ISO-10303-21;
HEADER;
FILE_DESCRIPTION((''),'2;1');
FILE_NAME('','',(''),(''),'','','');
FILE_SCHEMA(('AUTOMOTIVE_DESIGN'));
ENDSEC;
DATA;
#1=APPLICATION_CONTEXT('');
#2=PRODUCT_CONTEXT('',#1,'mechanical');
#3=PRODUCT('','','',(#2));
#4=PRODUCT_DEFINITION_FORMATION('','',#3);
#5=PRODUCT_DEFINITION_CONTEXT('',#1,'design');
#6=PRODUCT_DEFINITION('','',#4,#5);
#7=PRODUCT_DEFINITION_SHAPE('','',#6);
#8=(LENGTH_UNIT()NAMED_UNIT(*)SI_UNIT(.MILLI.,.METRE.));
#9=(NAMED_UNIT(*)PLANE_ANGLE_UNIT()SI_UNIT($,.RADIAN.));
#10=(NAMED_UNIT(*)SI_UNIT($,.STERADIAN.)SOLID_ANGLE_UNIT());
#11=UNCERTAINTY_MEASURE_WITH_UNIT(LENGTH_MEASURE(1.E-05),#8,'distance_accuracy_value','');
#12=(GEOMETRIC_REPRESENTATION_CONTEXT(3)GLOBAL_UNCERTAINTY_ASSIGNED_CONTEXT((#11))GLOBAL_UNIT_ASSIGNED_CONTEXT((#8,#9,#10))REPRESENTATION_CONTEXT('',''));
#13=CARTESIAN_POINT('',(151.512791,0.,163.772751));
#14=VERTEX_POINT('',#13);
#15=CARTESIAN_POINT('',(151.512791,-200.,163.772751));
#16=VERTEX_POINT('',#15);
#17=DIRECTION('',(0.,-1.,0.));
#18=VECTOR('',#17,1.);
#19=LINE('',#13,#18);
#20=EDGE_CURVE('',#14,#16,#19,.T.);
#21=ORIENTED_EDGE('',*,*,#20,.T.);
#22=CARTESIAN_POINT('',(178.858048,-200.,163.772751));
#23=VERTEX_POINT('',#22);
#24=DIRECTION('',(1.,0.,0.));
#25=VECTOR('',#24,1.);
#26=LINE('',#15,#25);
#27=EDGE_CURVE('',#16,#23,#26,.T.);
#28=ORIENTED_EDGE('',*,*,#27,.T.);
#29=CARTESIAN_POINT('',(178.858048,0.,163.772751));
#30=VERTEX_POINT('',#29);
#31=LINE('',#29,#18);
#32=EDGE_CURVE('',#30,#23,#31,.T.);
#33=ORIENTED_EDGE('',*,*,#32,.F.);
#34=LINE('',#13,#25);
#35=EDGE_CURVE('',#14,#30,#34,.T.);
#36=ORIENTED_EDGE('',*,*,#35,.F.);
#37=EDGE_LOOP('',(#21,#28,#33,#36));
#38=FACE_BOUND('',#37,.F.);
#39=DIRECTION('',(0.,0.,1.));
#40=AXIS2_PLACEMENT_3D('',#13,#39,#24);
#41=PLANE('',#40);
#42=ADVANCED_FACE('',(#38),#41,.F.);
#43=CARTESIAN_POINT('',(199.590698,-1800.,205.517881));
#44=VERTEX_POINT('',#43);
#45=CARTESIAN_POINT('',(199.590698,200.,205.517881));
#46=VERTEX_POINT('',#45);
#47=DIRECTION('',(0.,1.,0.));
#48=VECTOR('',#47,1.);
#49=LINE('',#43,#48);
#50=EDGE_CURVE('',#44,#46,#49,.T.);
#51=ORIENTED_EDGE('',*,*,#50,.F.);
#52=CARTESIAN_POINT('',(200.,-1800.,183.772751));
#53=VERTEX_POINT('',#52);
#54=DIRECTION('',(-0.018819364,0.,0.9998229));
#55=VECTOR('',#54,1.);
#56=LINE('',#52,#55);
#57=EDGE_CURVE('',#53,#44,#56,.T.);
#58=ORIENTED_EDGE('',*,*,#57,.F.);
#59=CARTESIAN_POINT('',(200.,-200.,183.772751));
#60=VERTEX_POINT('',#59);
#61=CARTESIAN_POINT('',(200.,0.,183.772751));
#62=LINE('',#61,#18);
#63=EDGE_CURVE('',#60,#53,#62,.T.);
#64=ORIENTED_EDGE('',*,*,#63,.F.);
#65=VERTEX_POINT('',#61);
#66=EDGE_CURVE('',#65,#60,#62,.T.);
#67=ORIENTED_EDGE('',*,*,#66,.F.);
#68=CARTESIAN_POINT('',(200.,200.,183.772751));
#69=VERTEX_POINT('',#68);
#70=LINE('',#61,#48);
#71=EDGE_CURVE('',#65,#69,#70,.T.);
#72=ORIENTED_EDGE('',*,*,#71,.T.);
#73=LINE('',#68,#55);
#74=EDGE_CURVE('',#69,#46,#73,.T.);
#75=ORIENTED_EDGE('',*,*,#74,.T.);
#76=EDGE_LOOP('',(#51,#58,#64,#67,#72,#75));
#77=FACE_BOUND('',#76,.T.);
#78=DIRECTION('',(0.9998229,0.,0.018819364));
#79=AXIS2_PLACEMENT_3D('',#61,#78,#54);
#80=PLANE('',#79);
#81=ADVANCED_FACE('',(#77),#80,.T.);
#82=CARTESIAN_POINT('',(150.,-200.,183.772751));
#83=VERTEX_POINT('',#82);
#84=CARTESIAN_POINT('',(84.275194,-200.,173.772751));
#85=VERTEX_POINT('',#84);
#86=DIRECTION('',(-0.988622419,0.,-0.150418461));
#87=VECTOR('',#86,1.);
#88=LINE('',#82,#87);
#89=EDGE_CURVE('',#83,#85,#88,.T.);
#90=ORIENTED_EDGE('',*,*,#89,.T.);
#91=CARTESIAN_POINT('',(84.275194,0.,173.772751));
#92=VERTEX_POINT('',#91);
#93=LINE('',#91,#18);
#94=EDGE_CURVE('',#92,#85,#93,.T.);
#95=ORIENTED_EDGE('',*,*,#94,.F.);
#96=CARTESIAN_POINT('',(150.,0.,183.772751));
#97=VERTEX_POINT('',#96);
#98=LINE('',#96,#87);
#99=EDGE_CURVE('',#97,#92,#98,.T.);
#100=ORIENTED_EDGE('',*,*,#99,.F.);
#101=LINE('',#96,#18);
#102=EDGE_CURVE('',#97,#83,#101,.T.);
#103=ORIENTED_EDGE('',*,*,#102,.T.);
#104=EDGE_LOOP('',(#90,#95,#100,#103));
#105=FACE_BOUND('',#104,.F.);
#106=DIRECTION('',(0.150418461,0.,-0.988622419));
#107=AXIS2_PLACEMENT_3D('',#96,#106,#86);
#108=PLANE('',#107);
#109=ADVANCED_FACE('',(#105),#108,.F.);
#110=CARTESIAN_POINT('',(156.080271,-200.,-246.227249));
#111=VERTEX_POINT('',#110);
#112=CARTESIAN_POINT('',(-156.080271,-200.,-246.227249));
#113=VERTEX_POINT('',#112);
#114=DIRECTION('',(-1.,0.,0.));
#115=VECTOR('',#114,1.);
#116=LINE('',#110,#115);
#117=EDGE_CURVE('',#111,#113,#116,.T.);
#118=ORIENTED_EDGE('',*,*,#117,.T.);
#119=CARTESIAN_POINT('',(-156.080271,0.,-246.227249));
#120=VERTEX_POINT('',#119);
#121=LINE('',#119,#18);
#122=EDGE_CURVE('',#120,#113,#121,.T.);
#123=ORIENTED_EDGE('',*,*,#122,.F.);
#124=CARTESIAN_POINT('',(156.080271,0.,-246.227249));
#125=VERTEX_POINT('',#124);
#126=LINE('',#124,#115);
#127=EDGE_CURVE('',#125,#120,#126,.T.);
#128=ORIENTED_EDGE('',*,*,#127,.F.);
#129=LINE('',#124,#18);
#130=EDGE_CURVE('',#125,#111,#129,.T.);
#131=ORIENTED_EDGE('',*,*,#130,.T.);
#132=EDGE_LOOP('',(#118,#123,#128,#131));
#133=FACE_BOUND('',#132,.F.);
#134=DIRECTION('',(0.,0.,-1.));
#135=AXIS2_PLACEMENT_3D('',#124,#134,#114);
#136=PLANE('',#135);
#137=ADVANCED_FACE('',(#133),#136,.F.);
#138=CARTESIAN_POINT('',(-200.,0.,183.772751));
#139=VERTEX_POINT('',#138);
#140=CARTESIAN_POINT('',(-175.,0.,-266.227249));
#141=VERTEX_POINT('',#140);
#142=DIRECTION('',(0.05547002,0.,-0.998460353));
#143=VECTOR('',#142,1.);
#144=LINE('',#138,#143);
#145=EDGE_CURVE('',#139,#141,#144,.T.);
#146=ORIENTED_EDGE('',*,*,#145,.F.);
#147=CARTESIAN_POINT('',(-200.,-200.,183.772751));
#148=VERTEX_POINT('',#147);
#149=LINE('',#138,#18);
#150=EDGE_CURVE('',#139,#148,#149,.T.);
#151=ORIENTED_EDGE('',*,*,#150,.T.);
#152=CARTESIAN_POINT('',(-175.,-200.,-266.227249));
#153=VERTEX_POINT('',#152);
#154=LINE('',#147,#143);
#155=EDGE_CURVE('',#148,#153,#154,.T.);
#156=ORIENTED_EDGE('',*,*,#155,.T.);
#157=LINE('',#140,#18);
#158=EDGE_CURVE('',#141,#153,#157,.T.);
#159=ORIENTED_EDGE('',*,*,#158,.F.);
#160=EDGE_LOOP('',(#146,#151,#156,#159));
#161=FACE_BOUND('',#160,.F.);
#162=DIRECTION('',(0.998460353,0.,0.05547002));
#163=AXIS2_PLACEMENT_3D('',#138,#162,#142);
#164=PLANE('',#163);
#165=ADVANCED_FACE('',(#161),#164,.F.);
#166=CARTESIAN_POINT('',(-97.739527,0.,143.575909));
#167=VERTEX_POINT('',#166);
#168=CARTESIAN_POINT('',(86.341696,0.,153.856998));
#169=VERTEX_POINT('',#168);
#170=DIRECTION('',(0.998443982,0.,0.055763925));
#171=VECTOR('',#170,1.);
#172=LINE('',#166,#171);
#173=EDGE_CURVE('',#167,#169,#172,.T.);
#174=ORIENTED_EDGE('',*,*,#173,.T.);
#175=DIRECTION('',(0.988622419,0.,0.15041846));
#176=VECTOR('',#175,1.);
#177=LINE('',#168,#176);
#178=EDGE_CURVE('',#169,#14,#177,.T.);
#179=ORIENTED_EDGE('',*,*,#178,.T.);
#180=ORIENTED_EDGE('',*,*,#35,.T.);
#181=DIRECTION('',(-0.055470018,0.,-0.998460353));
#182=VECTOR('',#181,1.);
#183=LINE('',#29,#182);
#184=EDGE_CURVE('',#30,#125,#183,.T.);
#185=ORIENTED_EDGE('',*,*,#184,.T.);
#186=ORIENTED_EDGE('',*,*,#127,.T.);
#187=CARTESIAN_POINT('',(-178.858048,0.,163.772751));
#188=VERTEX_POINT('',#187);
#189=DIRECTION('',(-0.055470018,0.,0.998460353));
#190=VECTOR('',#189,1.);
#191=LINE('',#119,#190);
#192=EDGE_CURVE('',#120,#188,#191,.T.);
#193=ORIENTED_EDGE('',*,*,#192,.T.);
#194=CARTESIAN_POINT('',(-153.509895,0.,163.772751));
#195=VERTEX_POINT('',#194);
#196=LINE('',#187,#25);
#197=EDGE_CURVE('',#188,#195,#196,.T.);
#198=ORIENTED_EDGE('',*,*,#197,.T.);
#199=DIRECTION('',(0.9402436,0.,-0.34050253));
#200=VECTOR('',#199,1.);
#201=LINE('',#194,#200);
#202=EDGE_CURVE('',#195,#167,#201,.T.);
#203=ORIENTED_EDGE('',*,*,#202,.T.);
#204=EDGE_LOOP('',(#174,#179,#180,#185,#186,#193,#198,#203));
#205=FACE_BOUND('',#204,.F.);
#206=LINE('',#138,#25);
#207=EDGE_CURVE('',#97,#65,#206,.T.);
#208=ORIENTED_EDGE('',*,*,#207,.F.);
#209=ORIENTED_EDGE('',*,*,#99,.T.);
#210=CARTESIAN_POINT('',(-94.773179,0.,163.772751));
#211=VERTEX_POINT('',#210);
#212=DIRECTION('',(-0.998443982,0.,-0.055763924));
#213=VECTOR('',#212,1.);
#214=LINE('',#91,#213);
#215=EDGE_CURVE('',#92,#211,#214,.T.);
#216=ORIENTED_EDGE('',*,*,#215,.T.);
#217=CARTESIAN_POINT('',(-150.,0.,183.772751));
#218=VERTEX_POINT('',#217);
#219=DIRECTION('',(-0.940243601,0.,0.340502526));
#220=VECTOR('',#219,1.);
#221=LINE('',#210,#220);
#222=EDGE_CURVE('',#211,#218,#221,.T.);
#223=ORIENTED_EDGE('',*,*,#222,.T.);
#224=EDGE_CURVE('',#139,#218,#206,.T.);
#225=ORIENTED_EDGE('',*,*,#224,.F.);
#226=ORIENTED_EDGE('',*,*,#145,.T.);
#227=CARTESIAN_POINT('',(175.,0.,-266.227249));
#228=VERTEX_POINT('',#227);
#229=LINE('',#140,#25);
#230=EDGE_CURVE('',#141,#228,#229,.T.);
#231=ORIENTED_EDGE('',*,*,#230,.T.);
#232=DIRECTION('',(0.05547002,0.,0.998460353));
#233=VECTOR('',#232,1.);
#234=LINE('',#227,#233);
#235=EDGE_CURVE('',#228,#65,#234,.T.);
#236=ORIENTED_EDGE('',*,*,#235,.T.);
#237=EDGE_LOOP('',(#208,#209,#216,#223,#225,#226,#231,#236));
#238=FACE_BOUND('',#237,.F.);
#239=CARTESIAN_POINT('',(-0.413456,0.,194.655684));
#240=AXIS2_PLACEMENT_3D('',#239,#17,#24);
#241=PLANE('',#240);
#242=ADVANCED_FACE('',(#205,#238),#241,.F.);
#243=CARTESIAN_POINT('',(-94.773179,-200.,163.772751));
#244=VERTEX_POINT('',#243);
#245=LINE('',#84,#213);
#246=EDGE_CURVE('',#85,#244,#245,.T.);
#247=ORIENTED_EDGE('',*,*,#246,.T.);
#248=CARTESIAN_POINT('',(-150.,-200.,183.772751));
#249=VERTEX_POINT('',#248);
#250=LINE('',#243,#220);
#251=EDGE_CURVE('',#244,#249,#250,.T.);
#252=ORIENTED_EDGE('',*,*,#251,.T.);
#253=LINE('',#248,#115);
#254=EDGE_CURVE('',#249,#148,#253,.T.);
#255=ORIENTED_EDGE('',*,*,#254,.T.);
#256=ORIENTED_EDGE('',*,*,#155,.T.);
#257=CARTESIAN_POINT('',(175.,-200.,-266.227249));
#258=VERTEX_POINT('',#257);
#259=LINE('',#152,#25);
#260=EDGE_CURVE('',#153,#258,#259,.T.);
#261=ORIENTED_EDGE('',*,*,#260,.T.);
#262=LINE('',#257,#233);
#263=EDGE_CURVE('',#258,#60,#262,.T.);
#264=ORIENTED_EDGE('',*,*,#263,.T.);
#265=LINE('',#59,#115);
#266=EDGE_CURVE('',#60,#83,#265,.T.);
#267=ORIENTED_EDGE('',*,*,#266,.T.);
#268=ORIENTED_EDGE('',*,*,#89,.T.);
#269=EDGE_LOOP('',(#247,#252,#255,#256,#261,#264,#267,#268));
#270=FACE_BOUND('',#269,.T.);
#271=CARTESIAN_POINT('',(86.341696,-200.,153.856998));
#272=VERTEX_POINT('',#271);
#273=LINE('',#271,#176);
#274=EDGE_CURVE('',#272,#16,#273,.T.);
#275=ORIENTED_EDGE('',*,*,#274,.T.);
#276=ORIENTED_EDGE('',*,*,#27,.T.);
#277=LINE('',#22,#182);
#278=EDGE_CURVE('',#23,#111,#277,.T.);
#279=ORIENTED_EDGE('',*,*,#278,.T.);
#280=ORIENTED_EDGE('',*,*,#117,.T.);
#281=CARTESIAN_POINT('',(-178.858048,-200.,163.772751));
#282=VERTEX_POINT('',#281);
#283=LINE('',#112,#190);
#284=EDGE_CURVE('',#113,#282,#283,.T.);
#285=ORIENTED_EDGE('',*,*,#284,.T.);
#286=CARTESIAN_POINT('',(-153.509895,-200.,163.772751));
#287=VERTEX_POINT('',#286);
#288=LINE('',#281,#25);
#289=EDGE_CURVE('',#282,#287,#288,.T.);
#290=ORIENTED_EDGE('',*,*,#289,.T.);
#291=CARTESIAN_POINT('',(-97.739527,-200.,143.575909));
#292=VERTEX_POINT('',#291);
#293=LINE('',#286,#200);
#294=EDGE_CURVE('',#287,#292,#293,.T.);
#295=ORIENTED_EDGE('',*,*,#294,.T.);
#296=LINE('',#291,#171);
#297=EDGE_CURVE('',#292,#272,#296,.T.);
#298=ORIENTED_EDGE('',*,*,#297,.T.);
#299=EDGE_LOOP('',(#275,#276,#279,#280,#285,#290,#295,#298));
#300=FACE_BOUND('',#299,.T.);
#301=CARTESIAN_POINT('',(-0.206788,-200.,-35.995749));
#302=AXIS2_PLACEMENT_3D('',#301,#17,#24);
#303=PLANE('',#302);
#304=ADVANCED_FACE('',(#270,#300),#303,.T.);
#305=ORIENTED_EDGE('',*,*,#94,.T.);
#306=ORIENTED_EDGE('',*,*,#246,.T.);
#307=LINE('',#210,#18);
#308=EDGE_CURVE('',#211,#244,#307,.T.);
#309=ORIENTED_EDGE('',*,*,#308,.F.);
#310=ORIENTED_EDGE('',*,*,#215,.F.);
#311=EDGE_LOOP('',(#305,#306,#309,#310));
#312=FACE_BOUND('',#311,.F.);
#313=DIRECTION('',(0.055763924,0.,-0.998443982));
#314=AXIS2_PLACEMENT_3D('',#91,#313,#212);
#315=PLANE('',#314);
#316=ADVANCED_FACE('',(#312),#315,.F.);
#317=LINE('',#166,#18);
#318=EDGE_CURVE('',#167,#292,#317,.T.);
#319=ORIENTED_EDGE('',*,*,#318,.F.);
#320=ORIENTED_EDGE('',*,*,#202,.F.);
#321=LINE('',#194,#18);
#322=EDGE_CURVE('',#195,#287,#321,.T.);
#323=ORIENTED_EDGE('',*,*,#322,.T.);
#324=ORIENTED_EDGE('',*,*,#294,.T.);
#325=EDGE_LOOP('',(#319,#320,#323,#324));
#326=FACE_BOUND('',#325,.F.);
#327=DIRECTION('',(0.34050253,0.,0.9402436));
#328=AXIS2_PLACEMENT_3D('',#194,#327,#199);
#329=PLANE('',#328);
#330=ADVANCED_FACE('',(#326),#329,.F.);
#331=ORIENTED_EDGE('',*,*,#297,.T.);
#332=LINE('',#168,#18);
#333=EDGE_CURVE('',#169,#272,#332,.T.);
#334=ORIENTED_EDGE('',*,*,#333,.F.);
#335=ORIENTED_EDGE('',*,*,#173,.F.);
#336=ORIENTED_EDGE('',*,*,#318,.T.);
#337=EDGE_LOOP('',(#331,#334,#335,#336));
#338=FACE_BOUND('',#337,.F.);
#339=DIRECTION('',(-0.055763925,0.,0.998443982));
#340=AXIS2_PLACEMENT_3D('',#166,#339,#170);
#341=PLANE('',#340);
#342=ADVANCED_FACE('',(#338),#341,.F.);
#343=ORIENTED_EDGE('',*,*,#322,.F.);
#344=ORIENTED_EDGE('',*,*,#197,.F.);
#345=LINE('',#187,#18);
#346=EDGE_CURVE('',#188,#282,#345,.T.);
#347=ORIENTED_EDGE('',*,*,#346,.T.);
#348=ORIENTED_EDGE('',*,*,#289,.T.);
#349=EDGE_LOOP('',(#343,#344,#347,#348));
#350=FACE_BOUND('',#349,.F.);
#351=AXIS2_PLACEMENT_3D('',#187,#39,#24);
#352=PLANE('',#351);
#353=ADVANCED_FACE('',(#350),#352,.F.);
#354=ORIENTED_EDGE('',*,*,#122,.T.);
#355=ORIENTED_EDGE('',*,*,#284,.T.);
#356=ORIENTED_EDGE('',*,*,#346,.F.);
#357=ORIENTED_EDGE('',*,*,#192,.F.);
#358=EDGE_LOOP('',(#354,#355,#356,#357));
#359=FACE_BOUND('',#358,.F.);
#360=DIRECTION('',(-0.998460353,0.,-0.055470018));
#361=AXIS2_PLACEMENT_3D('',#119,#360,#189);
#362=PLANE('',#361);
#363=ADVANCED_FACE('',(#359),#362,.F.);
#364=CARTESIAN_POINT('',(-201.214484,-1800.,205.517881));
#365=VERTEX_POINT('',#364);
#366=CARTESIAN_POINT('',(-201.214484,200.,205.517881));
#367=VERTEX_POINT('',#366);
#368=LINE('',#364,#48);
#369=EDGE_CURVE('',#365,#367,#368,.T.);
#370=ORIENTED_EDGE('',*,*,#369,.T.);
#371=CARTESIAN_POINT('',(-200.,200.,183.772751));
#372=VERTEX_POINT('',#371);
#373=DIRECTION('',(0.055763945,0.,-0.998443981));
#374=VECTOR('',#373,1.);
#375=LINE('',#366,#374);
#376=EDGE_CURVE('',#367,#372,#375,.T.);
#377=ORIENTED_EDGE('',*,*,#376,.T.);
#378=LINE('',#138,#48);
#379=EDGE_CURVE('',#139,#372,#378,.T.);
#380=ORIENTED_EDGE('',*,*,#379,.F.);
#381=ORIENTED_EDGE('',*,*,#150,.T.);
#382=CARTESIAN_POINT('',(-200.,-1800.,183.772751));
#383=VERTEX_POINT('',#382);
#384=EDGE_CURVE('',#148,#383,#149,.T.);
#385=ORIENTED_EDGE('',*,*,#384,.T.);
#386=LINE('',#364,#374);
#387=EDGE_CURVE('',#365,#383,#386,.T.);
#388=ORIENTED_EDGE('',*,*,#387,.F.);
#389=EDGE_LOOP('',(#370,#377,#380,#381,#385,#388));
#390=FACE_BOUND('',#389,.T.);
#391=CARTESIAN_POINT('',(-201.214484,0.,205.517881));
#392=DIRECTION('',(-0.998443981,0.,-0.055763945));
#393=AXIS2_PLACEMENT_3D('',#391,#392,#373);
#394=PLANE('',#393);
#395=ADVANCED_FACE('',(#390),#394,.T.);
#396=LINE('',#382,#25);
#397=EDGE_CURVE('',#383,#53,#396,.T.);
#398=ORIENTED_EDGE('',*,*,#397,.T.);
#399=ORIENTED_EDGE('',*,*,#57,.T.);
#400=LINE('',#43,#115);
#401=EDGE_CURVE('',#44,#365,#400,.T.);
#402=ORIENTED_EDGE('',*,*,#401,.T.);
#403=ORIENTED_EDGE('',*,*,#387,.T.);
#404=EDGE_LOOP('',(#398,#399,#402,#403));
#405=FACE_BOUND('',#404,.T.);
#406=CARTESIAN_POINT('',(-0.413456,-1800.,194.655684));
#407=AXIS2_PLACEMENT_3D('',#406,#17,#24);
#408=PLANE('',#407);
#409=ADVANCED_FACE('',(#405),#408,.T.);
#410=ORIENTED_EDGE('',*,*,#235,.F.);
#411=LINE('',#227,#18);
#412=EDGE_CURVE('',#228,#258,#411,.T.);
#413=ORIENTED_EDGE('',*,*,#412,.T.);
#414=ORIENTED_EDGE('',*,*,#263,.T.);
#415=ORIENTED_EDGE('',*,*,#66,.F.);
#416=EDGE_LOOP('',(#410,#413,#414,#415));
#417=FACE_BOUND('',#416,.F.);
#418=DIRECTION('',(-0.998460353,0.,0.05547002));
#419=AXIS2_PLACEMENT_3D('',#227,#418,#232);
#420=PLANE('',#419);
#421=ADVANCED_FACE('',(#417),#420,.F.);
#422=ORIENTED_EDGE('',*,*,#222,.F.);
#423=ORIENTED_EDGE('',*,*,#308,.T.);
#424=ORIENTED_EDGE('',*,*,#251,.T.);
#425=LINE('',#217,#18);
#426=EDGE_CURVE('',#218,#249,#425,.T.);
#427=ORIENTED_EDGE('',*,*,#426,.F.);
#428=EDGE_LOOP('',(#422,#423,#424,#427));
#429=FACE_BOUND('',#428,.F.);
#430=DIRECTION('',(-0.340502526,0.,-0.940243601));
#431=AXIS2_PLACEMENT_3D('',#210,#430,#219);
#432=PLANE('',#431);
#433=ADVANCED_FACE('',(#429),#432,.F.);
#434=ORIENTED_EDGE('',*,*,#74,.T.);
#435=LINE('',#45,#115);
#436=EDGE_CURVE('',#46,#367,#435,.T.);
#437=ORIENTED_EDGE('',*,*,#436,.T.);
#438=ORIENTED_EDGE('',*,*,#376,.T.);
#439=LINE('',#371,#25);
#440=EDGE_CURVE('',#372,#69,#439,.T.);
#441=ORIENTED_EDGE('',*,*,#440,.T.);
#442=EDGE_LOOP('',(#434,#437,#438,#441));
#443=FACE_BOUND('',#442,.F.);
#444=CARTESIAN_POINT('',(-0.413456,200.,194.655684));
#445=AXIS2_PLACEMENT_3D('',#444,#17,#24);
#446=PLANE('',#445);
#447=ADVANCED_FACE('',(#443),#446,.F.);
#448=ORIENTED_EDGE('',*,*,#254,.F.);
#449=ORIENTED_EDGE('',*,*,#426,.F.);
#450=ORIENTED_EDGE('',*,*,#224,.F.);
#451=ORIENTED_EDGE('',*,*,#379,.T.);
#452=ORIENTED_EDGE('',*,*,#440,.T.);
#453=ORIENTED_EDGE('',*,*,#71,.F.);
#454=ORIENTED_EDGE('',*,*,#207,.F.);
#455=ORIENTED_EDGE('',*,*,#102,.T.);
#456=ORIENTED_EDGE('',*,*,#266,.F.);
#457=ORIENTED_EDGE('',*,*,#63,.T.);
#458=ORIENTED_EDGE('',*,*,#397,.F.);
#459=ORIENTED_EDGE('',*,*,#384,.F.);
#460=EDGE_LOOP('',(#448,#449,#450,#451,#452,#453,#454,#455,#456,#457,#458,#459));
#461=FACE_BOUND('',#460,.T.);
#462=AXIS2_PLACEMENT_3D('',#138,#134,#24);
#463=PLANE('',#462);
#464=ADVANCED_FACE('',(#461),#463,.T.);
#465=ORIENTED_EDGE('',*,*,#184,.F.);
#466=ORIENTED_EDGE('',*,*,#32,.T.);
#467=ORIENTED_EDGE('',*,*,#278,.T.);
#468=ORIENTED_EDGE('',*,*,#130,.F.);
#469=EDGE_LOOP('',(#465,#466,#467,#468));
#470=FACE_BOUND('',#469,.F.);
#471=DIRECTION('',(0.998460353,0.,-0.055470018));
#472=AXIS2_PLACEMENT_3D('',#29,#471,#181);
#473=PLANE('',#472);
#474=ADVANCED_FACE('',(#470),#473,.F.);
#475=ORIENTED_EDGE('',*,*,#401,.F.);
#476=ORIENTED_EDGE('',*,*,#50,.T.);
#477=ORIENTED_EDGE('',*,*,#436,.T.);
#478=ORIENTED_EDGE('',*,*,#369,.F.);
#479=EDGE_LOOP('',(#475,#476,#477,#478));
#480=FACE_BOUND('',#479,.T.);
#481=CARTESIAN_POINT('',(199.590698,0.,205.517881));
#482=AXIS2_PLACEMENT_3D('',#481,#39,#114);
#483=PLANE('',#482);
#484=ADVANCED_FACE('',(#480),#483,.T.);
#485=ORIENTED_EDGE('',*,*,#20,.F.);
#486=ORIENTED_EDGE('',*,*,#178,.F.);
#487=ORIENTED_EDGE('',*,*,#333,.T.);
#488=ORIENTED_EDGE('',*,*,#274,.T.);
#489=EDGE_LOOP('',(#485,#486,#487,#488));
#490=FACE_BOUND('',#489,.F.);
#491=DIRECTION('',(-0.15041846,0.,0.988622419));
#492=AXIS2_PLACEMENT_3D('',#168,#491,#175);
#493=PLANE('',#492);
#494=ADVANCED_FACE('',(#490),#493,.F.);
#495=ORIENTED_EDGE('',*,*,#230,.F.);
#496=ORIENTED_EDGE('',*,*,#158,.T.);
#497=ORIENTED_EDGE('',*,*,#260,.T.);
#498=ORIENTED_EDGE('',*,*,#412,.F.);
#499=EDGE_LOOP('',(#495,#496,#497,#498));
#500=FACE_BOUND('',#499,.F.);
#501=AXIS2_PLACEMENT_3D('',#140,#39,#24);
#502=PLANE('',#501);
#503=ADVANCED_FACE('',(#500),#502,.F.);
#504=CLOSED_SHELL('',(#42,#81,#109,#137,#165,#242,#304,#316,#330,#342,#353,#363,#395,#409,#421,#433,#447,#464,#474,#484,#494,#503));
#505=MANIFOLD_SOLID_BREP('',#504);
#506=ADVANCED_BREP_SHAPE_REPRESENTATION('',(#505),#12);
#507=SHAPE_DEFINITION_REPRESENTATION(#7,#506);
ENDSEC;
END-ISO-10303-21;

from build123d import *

# Parameters (mm, degrees)
F1_DEPTH = 200
F2_DEPTH = 1800
F3_DEPTH = 200


with BuildPart() as f1:
    # F0 (on Front) → F1 (new body)
    with BuildSketch(Plane.XZ):
        Polygon((-150, 183.772751), (-200, 183.772751), (-175, -266.227249), (175, -266.227249), (200, 183.772751), (150, 183.772751), (84.275194, 173.772751), (-94.773179, 163.772751), align=None)
        Polygon((-156.080271, -246.227249), (-178.858048, 163.772751), (-153.509895, 163.772751), (-97.739527, 143.575909), (86.341696, 153.856998), (151.512791, 163.772751), (178.858048, 163.772751), (156.080271, -246.227249), align=None, mode=Mode.SUBTRACT)
    extrude(amount=F1_DEPTH)

    # F0 (on Front) → F2 (join)
    with BuildSketch(Plane.XZ):
        Polygon((-201.214484, 205.517881), (-200, 183.772751), (-150, 183.772751), (150, 183.772751), (200, 183.772751), (199.590698, 205.517881), align=None)
    extrude(amount=F2_DEPTH)

    # F0 (on Front) → F3 (join)
    with BuildSketch(Plane.XZ):
        Polygon((-201.214484, 205.517881), (-200, 183.772751), (-150, 183.772751), (150, 183.772751), (200, 183.772751), (199.590698, 205.517881), align=None)
    extrude(amount=-F3_DEPTH)


solid = f1.part
